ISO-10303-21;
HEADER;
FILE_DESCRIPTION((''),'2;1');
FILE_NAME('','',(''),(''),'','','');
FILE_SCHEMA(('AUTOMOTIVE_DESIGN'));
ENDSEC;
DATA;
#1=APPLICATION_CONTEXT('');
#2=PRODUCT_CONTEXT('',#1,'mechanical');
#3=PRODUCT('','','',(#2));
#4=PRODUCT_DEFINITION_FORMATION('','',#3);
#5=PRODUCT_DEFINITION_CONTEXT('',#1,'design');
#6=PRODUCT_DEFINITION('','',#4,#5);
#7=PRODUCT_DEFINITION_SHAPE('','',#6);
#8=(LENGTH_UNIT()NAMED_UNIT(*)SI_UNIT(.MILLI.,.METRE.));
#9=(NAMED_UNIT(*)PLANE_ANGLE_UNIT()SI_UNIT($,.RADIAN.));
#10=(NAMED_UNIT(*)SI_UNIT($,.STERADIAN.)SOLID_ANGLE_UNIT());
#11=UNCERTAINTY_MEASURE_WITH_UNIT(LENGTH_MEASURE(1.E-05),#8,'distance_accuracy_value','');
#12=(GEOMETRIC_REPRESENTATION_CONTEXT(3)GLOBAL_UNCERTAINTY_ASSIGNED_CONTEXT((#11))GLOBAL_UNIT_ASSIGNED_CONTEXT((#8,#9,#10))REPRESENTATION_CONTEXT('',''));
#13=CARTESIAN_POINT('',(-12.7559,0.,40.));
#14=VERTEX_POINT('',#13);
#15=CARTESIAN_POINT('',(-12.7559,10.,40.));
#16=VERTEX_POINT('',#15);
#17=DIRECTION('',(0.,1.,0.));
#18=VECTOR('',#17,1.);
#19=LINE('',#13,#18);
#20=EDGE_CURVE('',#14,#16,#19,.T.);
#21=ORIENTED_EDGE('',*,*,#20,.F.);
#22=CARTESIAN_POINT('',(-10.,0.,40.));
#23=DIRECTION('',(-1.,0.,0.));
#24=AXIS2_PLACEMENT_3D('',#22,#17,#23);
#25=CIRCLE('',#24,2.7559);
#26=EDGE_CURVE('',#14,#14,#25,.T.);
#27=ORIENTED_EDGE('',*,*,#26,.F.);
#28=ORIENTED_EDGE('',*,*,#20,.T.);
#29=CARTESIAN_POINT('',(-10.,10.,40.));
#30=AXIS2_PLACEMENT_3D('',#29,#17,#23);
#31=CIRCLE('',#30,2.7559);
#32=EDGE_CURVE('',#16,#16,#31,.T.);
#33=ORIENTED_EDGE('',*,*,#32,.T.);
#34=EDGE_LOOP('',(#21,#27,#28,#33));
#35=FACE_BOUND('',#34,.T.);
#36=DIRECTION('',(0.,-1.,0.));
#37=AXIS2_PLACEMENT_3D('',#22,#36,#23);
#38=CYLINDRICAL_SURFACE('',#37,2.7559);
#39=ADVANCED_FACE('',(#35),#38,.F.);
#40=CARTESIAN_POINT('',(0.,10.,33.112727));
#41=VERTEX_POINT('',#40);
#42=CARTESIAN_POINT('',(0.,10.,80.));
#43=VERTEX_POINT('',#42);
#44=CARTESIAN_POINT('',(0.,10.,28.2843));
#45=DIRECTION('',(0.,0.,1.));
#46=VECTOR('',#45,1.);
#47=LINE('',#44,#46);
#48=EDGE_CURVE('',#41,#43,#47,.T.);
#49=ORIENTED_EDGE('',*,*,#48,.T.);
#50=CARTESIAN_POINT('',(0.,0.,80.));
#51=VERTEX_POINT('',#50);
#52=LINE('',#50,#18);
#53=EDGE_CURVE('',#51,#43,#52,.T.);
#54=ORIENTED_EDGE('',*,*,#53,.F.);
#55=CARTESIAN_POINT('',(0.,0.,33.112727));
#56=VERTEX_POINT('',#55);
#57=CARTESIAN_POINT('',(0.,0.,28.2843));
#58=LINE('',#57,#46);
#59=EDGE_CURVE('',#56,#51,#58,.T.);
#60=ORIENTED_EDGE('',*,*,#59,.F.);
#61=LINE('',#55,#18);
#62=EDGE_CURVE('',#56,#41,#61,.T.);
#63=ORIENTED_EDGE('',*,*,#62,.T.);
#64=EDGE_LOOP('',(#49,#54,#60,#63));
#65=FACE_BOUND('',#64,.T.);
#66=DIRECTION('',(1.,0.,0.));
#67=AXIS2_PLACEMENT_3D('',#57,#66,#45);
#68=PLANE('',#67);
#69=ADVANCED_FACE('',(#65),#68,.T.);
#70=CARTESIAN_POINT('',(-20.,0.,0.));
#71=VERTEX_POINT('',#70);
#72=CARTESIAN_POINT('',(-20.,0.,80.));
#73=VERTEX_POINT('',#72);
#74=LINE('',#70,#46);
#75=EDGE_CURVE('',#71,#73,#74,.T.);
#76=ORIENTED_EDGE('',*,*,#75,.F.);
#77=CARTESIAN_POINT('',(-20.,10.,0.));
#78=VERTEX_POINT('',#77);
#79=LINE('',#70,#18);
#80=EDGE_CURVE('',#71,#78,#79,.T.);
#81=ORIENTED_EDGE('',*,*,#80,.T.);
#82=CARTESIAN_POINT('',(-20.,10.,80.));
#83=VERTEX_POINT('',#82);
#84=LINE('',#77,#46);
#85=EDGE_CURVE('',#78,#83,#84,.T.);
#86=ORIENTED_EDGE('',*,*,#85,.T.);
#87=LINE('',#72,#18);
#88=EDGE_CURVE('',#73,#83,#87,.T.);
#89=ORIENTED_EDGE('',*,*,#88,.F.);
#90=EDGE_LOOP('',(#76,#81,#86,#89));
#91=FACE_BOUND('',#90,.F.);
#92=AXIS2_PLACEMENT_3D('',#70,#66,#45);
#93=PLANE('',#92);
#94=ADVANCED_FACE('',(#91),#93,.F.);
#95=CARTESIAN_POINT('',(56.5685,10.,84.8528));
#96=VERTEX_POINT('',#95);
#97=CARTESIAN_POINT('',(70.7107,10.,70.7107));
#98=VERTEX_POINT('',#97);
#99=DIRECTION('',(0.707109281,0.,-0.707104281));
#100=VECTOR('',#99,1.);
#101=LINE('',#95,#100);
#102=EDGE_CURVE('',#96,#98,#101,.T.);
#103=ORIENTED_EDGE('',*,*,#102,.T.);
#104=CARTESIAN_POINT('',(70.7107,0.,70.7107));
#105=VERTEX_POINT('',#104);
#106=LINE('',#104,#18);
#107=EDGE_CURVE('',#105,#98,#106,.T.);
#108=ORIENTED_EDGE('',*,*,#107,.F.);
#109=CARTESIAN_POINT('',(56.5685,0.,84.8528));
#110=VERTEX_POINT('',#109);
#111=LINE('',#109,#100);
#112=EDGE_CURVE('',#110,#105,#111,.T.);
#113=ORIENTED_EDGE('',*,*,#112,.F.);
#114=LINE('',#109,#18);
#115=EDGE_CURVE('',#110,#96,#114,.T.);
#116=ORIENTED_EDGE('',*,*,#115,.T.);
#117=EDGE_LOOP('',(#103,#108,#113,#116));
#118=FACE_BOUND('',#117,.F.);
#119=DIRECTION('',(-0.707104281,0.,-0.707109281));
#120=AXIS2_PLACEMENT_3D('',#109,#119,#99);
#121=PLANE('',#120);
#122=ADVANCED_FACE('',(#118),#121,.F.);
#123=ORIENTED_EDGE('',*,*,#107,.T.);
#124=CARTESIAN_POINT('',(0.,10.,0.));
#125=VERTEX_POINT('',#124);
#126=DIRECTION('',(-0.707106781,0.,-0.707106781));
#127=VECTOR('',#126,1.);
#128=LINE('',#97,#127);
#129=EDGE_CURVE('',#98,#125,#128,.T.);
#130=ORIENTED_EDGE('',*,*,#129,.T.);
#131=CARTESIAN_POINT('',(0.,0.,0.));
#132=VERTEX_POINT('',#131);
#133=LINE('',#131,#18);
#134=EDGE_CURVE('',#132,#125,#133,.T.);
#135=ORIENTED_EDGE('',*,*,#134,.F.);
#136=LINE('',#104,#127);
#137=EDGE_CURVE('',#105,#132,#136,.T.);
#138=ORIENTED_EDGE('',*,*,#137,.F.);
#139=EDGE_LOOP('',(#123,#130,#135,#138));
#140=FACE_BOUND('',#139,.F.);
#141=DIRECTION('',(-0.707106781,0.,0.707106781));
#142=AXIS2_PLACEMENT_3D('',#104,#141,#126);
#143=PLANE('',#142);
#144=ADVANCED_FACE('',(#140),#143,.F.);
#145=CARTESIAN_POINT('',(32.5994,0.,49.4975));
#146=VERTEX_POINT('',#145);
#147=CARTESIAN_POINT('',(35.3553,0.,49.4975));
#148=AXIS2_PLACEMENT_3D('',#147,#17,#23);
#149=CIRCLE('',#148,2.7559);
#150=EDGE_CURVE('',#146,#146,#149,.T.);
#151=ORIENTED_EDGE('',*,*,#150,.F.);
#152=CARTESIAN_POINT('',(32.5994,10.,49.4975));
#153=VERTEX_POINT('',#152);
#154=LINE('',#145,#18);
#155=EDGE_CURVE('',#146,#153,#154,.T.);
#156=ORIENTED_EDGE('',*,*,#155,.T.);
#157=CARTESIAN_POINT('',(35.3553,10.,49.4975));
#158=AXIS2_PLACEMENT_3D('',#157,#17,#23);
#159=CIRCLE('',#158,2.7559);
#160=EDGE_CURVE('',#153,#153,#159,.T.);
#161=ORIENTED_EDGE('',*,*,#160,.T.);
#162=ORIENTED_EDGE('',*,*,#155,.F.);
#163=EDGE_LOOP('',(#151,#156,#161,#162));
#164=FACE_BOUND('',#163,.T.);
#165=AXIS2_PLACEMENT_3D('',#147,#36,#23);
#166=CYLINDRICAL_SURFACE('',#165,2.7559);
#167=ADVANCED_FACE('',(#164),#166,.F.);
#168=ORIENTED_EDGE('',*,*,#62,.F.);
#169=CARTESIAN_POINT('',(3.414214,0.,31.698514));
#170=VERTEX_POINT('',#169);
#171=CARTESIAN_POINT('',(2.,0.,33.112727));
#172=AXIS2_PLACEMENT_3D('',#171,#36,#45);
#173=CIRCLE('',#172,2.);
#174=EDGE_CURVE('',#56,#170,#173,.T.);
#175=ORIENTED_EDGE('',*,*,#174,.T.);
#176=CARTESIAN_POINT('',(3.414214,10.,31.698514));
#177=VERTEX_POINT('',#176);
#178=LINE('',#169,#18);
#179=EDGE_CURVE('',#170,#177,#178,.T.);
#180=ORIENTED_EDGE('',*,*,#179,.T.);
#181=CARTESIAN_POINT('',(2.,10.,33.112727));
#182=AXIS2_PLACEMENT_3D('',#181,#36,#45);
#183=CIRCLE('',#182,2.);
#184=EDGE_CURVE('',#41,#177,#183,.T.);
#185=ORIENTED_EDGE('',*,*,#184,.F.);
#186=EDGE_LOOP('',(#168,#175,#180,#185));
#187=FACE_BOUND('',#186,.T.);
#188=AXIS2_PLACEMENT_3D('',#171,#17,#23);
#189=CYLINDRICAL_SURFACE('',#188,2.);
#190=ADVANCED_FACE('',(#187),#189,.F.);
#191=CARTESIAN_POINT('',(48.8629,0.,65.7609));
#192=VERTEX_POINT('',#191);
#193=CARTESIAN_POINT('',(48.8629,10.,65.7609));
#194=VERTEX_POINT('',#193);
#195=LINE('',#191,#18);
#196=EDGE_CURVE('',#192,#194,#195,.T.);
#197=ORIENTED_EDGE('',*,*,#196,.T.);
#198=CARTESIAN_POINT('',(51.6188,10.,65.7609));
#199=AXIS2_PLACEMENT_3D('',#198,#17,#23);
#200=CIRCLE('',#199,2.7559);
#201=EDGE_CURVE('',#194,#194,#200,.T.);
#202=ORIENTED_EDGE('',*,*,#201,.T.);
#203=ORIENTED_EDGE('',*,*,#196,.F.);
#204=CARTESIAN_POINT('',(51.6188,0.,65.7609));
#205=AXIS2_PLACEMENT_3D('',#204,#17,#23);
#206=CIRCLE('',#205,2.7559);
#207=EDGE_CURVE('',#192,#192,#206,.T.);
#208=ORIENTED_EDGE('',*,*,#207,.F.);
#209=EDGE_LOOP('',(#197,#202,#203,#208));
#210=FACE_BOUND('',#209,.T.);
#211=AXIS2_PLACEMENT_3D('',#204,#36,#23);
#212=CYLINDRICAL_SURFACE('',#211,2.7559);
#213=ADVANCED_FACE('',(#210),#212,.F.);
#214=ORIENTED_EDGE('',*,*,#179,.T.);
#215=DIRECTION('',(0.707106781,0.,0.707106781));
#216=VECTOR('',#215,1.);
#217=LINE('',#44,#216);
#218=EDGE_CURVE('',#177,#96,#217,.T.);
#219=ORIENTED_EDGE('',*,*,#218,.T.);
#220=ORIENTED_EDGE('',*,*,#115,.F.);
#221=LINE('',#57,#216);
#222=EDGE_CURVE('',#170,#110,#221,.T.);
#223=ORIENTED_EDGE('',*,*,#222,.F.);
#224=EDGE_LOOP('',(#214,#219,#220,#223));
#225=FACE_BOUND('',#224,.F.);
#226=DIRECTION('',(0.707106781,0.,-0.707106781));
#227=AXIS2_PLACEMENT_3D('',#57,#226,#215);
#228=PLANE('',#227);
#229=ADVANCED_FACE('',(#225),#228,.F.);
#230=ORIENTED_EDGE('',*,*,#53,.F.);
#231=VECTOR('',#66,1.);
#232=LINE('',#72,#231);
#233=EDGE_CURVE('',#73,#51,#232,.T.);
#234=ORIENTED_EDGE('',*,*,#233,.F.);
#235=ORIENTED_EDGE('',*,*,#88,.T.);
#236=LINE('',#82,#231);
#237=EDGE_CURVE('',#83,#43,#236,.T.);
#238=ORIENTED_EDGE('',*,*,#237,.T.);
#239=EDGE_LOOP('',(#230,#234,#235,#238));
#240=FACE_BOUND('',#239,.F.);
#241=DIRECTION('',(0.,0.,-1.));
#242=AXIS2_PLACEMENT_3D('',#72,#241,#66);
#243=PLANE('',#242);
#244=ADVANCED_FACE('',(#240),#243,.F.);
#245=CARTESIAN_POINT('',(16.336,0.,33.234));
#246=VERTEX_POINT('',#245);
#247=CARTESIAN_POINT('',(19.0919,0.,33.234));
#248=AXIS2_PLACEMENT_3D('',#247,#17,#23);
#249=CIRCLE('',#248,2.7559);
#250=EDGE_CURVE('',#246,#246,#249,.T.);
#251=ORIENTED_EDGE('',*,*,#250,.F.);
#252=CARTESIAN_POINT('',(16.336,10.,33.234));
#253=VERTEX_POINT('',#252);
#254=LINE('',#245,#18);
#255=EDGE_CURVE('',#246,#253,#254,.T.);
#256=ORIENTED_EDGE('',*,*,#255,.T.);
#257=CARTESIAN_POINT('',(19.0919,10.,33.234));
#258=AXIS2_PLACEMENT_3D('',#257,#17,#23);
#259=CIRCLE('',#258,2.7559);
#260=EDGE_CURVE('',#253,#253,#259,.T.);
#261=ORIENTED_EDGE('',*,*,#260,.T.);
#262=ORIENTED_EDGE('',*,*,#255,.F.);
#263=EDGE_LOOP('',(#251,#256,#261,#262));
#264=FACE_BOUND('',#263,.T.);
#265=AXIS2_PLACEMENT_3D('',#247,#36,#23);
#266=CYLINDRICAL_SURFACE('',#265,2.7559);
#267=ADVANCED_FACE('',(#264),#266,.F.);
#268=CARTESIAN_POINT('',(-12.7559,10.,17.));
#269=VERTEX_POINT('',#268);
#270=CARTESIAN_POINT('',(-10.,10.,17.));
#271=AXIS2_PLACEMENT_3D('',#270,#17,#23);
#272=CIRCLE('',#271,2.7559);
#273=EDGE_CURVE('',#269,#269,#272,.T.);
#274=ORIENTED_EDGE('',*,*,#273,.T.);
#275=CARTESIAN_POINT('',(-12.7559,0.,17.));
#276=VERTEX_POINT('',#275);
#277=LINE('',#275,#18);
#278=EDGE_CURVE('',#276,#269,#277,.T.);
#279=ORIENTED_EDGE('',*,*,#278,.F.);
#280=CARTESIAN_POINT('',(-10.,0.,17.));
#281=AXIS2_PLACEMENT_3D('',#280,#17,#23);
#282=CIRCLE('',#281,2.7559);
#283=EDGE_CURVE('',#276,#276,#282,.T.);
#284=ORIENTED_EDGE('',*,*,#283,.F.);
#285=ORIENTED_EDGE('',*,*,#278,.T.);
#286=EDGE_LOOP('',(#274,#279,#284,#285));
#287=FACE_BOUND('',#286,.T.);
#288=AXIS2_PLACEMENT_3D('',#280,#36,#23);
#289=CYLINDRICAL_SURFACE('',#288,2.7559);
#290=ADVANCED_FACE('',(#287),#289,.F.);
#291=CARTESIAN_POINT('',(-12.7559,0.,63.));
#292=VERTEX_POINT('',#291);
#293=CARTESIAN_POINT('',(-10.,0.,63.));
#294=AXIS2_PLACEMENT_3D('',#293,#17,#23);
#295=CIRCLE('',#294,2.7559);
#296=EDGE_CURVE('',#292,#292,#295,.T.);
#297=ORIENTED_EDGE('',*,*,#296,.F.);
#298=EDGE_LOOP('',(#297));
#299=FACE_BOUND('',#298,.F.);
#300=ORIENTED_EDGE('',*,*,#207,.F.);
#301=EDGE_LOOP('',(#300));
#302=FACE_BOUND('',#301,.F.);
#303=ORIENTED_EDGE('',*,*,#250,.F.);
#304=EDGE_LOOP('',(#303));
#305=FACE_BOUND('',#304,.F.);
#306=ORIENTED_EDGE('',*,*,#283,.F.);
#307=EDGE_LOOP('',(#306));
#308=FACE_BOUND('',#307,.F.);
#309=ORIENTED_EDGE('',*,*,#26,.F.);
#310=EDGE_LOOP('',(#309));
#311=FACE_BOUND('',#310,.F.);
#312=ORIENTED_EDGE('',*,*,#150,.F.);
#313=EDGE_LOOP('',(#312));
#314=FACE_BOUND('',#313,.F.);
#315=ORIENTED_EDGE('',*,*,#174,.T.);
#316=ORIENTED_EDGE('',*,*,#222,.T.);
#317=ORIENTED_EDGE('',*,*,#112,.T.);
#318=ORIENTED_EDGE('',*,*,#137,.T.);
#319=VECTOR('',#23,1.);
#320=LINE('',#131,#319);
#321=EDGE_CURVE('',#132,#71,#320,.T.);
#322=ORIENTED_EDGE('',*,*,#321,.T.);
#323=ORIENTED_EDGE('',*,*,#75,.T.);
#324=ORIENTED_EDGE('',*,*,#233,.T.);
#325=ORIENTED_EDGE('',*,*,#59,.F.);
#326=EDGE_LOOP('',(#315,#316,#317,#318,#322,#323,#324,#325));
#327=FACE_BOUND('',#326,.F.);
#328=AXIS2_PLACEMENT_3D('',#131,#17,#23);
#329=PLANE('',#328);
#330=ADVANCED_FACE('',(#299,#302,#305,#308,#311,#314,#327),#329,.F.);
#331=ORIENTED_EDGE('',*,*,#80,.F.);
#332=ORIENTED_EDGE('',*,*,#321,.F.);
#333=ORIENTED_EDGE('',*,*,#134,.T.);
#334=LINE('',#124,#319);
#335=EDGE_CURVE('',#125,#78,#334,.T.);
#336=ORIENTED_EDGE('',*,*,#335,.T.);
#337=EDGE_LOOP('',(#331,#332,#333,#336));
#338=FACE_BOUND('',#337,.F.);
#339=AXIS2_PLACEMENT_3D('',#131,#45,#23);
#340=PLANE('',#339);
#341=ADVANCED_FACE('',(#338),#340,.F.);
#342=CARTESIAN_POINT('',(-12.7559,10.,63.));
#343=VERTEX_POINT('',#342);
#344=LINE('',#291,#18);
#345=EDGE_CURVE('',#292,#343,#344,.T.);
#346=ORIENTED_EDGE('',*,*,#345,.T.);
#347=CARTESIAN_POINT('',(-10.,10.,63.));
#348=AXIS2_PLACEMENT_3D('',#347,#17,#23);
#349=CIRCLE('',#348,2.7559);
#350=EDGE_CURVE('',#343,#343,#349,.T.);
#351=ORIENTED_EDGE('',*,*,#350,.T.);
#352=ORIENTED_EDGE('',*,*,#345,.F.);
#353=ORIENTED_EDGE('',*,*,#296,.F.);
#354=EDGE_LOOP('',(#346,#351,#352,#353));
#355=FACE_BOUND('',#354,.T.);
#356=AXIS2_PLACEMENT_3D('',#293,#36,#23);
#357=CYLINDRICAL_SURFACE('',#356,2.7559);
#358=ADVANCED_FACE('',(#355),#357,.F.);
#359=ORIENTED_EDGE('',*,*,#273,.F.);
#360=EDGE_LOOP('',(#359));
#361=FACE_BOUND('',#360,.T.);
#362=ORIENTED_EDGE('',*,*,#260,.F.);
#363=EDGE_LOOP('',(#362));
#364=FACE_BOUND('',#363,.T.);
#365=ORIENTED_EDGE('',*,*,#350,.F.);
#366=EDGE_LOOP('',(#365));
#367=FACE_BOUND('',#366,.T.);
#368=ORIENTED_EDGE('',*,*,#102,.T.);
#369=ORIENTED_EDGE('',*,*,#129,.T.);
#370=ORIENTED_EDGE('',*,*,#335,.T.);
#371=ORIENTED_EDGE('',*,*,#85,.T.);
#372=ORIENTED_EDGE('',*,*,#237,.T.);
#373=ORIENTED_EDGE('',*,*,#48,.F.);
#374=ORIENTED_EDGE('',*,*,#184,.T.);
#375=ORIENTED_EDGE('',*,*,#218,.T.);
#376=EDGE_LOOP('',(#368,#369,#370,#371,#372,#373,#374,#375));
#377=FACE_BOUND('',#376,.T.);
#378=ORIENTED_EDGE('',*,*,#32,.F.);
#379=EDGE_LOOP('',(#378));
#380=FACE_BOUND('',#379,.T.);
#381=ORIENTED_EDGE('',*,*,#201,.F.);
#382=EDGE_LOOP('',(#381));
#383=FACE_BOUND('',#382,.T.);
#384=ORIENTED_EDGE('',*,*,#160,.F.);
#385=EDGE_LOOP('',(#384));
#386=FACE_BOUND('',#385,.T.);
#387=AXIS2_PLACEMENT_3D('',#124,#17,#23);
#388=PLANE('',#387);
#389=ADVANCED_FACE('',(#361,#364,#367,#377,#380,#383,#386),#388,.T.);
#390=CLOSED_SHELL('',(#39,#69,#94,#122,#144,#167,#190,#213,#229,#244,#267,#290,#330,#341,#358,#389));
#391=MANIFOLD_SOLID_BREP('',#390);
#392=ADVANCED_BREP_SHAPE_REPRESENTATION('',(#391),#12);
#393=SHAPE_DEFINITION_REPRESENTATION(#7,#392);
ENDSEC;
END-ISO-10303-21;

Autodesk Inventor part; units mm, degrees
ref_plane "YZ Plane" through (0, 0, 0) normal (1, 0, 0) x (0, 1, 0)
ref_plane "XZ Plane" through (0, 0, 0) normal (0, 1, 0) x (-1, 0, 0)
ref_plane "XY Plane" through (0, 0, 0) normal (0, 0, 1) x (1, 0, 0)
sketch "Sketch2" plane through (0, 0, 0) normal (0, 1, 0) x (-1, 0, 0)
  line L0 (0, 28.2843) -> (-56.5685, 84.8528)
  line L1 (-56.5685, 84.8528) -> (-70.7107, 70.7107)
  line L2 (-70.7107, 70.7107) -> (0, 0)
  line L3 (0, 0) -> (20, 0)
  line L4 (20, 0) -> (20, 80)
  line L5 (20, 80) -> (0, 80)
  line L6 (0, 28.2843) -> (0, 80)
  circle A0 centre (10, 63) radius 2.7559
  circle A1 centre (10, 40) radius 2.7559
  circle A2 centre (10, 17) radius 2.7559
  circle A3 centre (-51.6188, 65.7609) radius 2.7559
  circle A4 centre (-35.3553, 49.4975) radius 2.7559
  circle A5 centre (-19.0919, 33.234) radius 2.7559
  dimension "d10" = 20
  dimension "d11" = 100
  dimension "d12" = 45
  dimension "d13" = 51.7157
  dimension "d15" = 135
  dimension "d16" = 5.5118
  dimension "d20" = 23
  dimension "d28" = 23
  dimension "d33" = 80
  dimension "d34" = 10
  dimension "d35" = 17
  dimension "d36" = 10
  dimension "d37" = 17
extrude "Extrusion1" add sketch "Sketch2" along normal blind 10
fillet "Fillet1" radius 2 1 edges at (0, 5, 28.2843)
equation "\"d13\" = d33 - d14"
equation "\"d20\" = -d35 + 0.5 * d33"
equation "\"d28\" = d20"
equation "\"d36\" = d34"
equation "\"d37\" = d35"
equation "\"d14\" = 28.284271"
properties part number "Back_Hip_Bracket"
